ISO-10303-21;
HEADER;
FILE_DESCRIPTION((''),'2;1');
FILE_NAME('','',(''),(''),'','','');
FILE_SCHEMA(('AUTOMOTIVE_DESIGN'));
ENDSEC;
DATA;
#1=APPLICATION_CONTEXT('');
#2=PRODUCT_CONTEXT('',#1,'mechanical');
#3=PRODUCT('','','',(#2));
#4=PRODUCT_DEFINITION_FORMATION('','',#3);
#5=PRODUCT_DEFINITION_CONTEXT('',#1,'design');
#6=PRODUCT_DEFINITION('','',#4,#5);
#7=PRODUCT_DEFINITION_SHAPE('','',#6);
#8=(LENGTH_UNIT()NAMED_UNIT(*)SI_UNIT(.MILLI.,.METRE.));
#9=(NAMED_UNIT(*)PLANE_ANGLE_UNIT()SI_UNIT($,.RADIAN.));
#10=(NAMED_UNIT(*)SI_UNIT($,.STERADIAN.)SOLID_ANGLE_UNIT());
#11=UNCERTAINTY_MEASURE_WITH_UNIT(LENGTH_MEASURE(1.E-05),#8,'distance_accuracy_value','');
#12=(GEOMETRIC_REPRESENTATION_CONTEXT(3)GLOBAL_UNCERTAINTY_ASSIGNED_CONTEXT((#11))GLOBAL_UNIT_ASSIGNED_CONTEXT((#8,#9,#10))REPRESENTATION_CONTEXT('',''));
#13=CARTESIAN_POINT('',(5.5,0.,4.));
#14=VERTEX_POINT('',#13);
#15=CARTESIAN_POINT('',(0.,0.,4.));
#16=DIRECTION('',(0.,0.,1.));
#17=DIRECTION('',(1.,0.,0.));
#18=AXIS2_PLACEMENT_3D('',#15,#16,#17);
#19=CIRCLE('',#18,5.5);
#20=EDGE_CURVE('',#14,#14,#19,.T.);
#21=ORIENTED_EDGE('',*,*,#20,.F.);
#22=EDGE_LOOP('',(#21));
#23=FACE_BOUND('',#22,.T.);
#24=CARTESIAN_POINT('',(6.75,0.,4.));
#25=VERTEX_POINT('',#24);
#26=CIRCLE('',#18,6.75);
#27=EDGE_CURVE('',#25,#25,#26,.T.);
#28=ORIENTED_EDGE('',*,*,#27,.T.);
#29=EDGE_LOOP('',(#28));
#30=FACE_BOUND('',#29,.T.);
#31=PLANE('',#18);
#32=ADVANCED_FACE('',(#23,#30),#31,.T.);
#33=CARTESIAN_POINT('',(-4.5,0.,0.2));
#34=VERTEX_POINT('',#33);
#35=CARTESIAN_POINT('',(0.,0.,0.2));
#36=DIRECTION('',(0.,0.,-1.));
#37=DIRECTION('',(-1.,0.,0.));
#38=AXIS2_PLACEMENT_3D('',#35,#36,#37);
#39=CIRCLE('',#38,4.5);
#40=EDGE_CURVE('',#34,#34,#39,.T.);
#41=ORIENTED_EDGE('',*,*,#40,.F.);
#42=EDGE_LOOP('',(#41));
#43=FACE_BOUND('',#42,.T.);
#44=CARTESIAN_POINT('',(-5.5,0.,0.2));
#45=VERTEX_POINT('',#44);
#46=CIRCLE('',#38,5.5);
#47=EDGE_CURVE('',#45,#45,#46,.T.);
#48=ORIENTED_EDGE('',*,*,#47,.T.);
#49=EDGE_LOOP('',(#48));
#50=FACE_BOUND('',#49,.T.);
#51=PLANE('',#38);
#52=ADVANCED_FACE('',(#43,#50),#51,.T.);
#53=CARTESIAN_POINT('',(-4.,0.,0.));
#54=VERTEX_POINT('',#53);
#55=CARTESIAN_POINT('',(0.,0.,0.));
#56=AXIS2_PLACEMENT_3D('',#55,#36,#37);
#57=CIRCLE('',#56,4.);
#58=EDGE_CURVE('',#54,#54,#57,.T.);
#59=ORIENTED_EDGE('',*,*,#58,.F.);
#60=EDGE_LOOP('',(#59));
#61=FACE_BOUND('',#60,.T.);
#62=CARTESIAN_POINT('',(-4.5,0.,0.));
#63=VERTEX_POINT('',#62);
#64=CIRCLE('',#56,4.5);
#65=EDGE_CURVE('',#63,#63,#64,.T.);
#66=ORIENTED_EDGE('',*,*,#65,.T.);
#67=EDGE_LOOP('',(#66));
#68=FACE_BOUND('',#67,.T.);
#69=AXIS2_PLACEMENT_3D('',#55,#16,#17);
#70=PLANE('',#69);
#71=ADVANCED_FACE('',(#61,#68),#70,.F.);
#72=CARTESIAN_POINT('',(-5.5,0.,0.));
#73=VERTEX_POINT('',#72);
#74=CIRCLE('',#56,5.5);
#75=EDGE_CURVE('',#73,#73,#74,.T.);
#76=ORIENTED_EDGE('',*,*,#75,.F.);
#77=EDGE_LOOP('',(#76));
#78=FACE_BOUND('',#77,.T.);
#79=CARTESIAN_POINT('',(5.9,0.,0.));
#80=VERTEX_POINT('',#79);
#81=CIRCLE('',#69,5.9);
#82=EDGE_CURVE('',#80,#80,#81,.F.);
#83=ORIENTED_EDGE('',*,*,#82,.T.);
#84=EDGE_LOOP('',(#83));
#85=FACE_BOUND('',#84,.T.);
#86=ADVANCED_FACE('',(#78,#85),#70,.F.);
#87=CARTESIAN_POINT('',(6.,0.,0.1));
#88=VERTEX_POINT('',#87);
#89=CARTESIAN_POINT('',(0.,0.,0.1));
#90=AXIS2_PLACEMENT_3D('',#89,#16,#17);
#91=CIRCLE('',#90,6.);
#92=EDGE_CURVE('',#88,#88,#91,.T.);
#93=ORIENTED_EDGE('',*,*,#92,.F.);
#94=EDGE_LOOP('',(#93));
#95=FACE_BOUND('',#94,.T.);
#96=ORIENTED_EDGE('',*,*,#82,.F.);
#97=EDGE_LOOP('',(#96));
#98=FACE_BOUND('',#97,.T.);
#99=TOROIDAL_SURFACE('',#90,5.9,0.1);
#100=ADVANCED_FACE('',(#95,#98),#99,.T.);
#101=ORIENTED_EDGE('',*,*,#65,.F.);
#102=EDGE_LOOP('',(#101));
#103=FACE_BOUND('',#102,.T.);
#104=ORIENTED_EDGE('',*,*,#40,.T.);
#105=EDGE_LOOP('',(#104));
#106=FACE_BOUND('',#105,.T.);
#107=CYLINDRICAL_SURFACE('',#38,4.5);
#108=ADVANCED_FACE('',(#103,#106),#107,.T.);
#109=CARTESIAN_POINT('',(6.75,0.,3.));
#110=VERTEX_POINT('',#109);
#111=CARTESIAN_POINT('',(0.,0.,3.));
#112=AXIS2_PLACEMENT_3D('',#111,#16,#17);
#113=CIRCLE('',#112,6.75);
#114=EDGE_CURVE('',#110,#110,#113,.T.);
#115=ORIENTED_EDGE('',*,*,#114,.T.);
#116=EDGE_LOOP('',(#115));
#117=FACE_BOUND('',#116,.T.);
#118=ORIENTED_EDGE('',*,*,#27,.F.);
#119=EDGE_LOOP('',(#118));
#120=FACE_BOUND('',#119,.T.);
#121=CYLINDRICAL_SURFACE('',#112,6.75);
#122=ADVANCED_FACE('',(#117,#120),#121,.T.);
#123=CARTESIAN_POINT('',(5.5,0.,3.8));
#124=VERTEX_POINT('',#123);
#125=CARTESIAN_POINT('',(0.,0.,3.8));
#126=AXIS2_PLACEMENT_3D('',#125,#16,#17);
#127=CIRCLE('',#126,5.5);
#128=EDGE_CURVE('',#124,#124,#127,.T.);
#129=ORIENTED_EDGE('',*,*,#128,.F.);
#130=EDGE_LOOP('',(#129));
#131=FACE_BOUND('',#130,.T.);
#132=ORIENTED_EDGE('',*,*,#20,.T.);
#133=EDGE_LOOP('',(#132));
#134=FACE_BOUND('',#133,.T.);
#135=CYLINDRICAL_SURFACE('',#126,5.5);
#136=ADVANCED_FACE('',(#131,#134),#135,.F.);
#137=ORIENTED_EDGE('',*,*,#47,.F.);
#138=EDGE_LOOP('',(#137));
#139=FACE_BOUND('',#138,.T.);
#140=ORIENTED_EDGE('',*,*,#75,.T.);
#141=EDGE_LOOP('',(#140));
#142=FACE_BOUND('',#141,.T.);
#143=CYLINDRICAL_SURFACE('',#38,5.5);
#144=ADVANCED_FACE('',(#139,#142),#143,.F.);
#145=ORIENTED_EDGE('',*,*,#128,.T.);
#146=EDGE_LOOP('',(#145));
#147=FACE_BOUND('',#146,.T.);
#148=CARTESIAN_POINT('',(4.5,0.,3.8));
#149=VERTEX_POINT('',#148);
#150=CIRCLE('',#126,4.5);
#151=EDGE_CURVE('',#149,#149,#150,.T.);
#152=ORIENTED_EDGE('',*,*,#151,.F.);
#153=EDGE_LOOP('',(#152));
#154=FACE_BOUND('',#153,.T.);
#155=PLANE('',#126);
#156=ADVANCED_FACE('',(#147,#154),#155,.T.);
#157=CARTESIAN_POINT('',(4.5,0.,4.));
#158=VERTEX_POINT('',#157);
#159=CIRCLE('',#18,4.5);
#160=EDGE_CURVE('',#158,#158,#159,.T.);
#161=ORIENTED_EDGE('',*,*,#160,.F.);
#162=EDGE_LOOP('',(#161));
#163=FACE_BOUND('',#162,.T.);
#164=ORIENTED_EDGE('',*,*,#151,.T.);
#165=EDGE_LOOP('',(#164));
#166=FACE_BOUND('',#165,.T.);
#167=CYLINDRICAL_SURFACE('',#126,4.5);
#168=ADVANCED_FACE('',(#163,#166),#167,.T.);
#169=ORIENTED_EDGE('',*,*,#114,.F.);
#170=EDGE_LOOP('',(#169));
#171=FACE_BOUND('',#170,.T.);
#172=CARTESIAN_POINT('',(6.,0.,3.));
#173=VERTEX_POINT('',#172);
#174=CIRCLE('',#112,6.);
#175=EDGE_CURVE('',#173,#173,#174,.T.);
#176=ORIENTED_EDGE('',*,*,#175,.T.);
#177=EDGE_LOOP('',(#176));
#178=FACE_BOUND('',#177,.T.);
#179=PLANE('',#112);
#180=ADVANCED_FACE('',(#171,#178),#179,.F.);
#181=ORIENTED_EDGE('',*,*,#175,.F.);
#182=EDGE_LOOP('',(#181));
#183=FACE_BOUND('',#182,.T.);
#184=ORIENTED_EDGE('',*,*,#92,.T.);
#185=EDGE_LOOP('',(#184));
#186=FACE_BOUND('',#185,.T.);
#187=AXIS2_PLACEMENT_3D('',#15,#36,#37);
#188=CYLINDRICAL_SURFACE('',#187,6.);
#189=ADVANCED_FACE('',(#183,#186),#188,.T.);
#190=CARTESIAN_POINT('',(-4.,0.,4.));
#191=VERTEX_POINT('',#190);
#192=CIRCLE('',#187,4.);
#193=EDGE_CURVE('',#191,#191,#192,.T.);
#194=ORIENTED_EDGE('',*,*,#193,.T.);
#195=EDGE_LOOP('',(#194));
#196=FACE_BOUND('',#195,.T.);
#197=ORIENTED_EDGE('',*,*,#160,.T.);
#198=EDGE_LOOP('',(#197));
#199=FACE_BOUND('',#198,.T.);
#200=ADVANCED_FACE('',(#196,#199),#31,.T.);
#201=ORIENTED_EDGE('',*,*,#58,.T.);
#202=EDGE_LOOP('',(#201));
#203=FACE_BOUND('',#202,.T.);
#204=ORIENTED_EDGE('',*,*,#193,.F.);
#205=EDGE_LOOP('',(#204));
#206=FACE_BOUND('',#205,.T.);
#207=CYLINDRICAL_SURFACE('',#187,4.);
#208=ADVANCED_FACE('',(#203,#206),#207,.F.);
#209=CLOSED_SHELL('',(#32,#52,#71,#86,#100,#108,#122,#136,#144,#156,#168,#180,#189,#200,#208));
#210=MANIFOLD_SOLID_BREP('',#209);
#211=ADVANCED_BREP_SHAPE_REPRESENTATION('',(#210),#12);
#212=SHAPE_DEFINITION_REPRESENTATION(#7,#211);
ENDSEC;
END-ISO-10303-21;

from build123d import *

# Parameters (mm, degrees)
SKETCH_1_R          = 6
EXTRUDE_1_DEPTH     = 4
SKETCH_2_R          = 6.75
EXTRUDE_2_DEPTH     = 1
SKETCH_3_R          = 4
CUT_EXTRUDE_1_DEPTH = 5
SKETCH_4_R          = 5.5
SKETCH_4_R_2        = 4.5
CUT_EXTRUDE_2_DEPTH = 0.2
SKETCH_5_R          = 5.5
SKETCH_5_R_2        = 4.5
CUT_EXTRUDE_3_DEPTH = 0.2
FILLET_1_R          = 0.1


with BuildPart() as part:
    # 草圖1 → 填料-伸長1 (new body)
    with BuildSketch(Plane.XY):
        Circle(SKETCH_1_R)
    extrude(amount=EXTRUDE_1_DEPTH)

    # 草圖2 → 填料-伸長2 (add)
    with BuildSketch(Plane.XY.offset(4)):
        Circle(SKETCH_2_R)
    extrude(amount=-EXTRUDE_2_DEPTH)

    # 草圖3 → 除料-伸長1 (cut, through all)
    with BuildSketch(Plane(origin=(0, 0, 0), x_dir=(-1, 0, 0), z_dir=(0, 0, -1))):
        Circle(SKETCH_3_R)
    extrude(amount=-CUT_EXTRUDE_1_DEPTH, mode=Mode.SUBTRACT)

    # 草圖4 → 除料-伸長2 (cut)
    with BuildSketch(Plane(origin=(0, 0, 0), x_dir=(-1, 0, 0), z_dir=(0, 0, -1))):
        Circle(SKETCH_4_R)
        Circle(SKETCH_4_R_2, mode=Mode.SUBTRACT)
    extrude(amount=-CUT_EXTRUDE_2_DEPTH, mode=Mode.SUBTRACT)

    # 草圖5 → 除料-伸長3 (cut)
    with BuildSketch(Plane.XY.offset(4)):
        Circle(SKETCH_5_R)
        Circle(SKETCH_5_R_2, mode=Mode.SUBTRACT)
    extrude(amount=-CUT_EXTRUDE_3_DEPTH, mode=Mode.SUBTRACT)

    # 圓角1
    fillet_1_edges = [part.edges().sort_by_distance(p)[0] for p in [
        (-6, 0, 0),
    ]]
    fillet(fillet_1_edges, radius=FILLET_1_R)


solid = part.part
